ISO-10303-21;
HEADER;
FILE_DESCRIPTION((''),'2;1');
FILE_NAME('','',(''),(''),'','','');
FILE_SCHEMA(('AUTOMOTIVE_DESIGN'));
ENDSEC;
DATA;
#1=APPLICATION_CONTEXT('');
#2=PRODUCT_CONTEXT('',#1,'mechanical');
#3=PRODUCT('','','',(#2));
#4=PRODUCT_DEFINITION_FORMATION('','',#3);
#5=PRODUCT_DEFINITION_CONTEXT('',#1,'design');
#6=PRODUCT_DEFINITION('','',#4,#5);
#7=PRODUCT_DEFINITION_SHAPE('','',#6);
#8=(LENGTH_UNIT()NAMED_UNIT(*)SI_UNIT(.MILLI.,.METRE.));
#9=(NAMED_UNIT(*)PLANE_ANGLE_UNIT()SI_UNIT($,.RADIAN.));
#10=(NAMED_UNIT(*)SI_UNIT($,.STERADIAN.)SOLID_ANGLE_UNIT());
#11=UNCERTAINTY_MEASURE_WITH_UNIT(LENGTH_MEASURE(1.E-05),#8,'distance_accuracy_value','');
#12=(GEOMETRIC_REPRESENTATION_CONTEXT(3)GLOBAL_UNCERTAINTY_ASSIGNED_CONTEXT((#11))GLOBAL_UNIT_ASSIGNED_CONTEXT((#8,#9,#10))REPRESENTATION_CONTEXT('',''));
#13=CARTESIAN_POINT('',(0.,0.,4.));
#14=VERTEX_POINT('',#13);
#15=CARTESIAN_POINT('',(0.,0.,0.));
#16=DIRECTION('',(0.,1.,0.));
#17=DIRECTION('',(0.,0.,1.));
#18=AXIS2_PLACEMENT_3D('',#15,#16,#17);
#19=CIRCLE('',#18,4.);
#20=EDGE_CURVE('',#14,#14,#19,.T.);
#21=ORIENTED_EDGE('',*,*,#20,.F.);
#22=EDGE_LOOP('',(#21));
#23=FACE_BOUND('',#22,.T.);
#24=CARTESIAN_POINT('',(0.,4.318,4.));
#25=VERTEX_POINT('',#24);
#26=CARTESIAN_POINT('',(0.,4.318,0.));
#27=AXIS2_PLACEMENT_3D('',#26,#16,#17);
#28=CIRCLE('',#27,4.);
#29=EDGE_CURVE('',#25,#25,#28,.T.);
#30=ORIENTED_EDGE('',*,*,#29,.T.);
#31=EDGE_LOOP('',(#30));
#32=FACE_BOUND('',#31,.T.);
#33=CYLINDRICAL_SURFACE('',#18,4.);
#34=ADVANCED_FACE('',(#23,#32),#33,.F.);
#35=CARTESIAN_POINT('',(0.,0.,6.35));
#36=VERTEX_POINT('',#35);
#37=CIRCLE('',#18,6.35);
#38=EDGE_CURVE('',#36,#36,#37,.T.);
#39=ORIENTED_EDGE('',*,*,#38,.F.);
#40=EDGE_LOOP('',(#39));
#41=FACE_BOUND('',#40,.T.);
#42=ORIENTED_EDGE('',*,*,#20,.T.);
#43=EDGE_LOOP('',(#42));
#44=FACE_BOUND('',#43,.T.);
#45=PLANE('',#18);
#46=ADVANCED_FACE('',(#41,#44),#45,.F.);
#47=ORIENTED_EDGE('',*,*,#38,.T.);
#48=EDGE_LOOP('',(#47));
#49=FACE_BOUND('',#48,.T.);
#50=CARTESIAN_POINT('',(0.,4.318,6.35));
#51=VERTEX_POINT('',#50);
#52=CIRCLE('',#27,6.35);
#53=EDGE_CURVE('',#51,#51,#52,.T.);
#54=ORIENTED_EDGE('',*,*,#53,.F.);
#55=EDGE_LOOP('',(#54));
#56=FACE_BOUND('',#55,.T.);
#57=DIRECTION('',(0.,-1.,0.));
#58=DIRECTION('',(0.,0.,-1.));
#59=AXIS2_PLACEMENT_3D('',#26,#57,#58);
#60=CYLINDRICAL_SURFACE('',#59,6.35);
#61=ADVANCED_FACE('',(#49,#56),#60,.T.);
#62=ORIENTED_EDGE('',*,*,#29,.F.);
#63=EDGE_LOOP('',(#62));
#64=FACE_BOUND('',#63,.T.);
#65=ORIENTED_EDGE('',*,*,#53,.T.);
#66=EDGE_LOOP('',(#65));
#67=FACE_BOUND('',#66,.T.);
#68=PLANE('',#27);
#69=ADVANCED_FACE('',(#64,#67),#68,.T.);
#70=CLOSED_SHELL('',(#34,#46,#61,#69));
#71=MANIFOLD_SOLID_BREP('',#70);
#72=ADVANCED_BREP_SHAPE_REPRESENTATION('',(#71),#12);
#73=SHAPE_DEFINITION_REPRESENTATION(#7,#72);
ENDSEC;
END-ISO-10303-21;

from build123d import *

# Parameters (mm, degrees)
SKETCH1_R           = 6.35
BOSS_EXTRUDE1_DEPTH = 4.318
SKETCH3_R           = 4
CUT_EXTRUDE2_DEPTH  = 10.964442985


with BuildPart() as part:
    # Sketch1 → Boss-Extrude1 (new body)
    with BuildSketch(Plane(origin=(0, 0, 0), x_dir=(1, 0, 0), z_dir=(0, 1, 0))):
        with Locations(Location((0, 0, 0), (0, 0, 270))):
            Circle(SKETCH1_R)
    extrude(amount=BOSS_EXTRUDE1_DEPTH)

    # Sketch3 → Cut-Extrude2 (cut, through all)
    with BuildSketch(Plane(origin=(0, 4.318, 0), x_dir=(1, 0, 0), z_dir=(0, 1, 0))):
        with Locations(Location((0, 0, 0), (0, 0, 270))):
            Circle(SKETCH3_R)
    extrude(amount=-CUT_EXTRUDE2_DEPTH, mode=Mode.SUBTRACT)


solid = part.part
